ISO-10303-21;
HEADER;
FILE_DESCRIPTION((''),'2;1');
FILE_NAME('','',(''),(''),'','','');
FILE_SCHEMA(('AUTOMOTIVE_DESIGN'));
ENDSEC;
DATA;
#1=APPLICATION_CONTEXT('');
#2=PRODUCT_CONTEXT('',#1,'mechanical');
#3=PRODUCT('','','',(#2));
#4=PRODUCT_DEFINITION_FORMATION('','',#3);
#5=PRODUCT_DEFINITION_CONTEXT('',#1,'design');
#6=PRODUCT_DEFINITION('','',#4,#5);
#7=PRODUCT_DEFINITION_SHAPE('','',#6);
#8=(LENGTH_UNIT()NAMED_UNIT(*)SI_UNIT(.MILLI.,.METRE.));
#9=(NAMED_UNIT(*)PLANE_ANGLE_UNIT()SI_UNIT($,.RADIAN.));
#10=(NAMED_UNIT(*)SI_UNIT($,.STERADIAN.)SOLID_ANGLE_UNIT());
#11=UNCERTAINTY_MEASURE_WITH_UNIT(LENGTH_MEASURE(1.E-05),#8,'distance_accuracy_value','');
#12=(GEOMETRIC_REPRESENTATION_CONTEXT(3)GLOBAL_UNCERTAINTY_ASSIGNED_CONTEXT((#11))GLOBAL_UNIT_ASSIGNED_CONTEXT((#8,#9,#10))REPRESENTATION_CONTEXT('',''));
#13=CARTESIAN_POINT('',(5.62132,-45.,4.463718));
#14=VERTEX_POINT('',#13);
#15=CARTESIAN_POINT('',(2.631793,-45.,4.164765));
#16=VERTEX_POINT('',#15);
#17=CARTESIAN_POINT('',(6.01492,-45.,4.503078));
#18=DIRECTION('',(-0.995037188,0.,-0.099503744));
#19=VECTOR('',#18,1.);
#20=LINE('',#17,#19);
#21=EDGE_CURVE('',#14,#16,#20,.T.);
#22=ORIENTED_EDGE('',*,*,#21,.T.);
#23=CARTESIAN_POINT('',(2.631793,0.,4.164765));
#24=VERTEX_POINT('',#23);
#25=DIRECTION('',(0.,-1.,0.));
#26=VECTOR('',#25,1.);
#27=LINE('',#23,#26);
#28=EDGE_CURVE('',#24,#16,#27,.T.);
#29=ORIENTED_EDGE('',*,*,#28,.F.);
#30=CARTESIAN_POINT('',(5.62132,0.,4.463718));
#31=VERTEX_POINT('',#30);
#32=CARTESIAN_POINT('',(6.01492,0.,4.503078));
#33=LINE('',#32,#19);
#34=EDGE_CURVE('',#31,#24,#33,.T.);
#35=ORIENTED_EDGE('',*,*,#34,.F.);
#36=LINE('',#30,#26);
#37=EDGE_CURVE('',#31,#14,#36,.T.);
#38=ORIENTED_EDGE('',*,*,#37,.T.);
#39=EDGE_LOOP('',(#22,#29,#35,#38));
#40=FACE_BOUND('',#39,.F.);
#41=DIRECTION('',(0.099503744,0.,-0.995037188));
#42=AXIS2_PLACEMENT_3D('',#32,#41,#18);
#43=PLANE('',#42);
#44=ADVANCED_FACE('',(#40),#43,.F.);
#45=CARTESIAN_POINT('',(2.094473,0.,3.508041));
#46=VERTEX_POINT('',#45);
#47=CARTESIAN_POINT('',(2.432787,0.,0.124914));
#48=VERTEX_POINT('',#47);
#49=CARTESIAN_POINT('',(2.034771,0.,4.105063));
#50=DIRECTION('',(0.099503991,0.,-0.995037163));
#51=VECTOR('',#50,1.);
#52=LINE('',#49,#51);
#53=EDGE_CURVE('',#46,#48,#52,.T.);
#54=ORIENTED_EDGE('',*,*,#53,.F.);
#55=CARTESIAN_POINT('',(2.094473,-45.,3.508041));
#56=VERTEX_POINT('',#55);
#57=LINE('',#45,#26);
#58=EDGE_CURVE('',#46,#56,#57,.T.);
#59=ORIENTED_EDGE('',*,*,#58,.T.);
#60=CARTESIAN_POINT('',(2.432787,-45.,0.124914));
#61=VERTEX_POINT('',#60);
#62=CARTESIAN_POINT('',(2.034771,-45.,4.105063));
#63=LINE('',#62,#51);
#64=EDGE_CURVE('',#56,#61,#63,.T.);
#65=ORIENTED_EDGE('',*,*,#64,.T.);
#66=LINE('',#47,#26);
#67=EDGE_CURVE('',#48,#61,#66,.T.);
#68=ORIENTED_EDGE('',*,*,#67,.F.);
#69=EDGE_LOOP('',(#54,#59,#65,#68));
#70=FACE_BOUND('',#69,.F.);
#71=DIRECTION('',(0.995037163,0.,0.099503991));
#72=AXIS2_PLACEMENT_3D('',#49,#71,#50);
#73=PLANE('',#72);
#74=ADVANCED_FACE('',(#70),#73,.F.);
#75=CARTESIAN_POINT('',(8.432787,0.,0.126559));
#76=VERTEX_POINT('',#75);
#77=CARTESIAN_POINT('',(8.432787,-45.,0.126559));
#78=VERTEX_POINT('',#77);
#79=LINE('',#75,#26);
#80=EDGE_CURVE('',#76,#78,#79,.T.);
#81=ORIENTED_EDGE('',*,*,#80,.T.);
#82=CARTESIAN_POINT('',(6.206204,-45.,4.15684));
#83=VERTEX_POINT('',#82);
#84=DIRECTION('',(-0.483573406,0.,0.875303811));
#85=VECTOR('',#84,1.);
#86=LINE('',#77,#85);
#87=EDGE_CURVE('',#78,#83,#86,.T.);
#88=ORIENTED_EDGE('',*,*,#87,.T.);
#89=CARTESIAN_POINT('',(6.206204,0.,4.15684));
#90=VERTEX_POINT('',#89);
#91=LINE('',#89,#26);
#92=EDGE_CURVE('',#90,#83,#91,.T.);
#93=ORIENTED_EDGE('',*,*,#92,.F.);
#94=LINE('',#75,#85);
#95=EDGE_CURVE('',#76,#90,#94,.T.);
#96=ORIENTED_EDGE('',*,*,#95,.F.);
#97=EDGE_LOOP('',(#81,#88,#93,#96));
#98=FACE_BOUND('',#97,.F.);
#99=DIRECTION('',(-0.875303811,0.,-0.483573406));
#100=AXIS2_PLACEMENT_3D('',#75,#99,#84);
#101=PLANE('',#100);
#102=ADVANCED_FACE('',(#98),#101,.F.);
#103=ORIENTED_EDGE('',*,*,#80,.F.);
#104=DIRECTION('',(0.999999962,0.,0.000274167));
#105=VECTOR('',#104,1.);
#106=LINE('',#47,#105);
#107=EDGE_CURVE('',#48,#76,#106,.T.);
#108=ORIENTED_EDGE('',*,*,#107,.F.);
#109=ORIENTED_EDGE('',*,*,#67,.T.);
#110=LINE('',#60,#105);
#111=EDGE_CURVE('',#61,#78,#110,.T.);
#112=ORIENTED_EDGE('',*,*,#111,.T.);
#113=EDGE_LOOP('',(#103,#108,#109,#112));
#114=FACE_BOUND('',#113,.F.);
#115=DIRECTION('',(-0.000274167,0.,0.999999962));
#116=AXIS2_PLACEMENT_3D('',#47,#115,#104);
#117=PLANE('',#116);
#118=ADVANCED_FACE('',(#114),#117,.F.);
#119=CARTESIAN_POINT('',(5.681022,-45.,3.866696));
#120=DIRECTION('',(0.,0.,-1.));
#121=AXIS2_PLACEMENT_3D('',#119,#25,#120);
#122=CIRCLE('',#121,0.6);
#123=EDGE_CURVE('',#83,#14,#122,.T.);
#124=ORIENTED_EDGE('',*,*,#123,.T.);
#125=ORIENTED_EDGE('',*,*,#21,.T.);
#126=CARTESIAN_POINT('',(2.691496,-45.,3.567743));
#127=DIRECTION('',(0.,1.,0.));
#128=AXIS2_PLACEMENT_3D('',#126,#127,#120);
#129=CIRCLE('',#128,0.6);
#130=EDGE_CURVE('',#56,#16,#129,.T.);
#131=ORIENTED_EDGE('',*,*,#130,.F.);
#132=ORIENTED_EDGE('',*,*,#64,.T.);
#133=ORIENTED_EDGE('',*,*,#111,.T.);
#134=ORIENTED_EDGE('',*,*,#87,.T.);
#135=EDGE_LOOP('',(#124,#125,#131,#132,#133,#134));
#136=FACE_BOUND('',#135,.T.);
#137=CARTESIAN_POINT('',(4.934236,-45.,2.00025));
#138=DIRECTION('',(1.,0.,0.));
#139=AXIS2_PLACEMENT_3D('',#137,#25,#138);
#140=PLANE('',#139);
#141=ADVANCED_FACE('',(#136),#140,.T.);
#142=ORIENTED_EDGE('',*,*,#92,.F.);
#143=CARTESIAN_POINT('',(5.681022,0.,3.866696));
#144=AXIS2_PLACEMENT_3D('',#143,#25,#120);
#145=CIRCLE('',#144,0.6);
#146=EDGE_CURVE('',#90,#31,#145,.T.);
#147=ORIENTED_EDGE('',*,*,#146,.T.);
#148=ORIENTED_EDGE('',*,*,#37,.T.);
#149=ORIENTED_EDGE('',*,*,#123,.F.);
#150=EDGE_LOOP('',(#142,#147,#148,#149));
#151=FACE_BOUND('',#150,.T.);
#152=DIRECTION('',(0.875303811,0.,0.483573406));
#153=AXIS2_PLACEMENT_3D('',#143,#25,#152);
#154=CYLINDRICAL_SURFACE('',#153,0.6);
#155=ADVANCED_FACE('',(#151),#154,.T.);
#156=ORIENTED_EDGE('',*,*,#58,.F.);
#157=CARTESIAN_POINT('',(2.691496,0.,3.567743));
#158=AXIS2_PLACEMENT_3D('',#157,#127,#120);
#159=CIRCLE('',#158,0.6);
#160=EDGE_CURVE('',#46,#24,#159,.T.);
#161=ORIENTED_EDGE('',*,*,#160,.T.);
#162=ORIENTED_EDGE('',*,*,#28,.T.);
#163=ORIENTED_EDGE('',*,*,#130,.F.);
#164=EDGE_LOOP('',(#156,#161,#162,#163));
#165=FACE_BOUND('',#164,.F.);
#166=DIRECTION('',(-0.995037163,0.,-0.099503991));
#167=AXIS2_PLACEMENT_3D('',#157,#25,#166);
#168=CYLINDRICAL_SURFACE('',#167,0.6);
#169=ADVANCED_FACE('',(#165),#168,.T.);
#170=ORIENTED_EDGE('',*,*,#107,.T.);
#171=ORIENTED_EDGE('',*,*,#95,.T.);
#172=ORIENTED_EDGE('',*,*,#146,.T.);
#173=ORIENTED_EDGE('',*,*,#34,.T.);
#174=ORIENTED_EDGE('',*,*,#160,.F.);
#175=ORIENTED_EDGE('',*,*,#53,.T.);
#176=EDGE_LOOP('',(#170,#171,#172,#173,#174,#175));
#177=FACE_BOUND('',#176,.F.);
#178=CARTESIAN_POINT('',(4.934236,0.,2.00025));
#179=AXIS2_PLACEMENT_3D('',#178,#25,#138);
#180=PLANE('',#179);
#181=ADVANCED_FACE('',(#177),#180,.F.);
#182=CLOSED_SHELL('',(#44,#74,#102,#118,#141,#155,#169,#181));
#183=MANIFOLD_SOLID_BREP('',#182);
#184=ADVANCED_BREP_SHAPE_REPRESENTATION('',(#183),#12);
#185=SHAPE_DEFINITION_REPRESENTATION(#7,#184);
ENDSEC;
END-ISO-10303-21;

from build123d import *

# Parameters (mm, degrees)
F1_DEPTH = 45
F2_R     = 0.6


with BuildPart() as f1:
    # F0 (on Front) → F1 (new body)
    with BuildSketch(Plane.XZ):
        Polygon((2.034771, 4.105063), (2.432787, 0.124914), (8.432787, 0.126559), (6.01492, 4.503078), align=None)
    extrude(amount=F1_DEPTH)

    # F2
    f2_edges = [f1.edges().sort_by_distance(p)[0] for p in [
        (2.034771, -22.5, 4.105063),
        (6.01492, -22.5, 4.503078),
    ]]
    fillet(f2_edges, radius=F2_R)


solid = f1.part
